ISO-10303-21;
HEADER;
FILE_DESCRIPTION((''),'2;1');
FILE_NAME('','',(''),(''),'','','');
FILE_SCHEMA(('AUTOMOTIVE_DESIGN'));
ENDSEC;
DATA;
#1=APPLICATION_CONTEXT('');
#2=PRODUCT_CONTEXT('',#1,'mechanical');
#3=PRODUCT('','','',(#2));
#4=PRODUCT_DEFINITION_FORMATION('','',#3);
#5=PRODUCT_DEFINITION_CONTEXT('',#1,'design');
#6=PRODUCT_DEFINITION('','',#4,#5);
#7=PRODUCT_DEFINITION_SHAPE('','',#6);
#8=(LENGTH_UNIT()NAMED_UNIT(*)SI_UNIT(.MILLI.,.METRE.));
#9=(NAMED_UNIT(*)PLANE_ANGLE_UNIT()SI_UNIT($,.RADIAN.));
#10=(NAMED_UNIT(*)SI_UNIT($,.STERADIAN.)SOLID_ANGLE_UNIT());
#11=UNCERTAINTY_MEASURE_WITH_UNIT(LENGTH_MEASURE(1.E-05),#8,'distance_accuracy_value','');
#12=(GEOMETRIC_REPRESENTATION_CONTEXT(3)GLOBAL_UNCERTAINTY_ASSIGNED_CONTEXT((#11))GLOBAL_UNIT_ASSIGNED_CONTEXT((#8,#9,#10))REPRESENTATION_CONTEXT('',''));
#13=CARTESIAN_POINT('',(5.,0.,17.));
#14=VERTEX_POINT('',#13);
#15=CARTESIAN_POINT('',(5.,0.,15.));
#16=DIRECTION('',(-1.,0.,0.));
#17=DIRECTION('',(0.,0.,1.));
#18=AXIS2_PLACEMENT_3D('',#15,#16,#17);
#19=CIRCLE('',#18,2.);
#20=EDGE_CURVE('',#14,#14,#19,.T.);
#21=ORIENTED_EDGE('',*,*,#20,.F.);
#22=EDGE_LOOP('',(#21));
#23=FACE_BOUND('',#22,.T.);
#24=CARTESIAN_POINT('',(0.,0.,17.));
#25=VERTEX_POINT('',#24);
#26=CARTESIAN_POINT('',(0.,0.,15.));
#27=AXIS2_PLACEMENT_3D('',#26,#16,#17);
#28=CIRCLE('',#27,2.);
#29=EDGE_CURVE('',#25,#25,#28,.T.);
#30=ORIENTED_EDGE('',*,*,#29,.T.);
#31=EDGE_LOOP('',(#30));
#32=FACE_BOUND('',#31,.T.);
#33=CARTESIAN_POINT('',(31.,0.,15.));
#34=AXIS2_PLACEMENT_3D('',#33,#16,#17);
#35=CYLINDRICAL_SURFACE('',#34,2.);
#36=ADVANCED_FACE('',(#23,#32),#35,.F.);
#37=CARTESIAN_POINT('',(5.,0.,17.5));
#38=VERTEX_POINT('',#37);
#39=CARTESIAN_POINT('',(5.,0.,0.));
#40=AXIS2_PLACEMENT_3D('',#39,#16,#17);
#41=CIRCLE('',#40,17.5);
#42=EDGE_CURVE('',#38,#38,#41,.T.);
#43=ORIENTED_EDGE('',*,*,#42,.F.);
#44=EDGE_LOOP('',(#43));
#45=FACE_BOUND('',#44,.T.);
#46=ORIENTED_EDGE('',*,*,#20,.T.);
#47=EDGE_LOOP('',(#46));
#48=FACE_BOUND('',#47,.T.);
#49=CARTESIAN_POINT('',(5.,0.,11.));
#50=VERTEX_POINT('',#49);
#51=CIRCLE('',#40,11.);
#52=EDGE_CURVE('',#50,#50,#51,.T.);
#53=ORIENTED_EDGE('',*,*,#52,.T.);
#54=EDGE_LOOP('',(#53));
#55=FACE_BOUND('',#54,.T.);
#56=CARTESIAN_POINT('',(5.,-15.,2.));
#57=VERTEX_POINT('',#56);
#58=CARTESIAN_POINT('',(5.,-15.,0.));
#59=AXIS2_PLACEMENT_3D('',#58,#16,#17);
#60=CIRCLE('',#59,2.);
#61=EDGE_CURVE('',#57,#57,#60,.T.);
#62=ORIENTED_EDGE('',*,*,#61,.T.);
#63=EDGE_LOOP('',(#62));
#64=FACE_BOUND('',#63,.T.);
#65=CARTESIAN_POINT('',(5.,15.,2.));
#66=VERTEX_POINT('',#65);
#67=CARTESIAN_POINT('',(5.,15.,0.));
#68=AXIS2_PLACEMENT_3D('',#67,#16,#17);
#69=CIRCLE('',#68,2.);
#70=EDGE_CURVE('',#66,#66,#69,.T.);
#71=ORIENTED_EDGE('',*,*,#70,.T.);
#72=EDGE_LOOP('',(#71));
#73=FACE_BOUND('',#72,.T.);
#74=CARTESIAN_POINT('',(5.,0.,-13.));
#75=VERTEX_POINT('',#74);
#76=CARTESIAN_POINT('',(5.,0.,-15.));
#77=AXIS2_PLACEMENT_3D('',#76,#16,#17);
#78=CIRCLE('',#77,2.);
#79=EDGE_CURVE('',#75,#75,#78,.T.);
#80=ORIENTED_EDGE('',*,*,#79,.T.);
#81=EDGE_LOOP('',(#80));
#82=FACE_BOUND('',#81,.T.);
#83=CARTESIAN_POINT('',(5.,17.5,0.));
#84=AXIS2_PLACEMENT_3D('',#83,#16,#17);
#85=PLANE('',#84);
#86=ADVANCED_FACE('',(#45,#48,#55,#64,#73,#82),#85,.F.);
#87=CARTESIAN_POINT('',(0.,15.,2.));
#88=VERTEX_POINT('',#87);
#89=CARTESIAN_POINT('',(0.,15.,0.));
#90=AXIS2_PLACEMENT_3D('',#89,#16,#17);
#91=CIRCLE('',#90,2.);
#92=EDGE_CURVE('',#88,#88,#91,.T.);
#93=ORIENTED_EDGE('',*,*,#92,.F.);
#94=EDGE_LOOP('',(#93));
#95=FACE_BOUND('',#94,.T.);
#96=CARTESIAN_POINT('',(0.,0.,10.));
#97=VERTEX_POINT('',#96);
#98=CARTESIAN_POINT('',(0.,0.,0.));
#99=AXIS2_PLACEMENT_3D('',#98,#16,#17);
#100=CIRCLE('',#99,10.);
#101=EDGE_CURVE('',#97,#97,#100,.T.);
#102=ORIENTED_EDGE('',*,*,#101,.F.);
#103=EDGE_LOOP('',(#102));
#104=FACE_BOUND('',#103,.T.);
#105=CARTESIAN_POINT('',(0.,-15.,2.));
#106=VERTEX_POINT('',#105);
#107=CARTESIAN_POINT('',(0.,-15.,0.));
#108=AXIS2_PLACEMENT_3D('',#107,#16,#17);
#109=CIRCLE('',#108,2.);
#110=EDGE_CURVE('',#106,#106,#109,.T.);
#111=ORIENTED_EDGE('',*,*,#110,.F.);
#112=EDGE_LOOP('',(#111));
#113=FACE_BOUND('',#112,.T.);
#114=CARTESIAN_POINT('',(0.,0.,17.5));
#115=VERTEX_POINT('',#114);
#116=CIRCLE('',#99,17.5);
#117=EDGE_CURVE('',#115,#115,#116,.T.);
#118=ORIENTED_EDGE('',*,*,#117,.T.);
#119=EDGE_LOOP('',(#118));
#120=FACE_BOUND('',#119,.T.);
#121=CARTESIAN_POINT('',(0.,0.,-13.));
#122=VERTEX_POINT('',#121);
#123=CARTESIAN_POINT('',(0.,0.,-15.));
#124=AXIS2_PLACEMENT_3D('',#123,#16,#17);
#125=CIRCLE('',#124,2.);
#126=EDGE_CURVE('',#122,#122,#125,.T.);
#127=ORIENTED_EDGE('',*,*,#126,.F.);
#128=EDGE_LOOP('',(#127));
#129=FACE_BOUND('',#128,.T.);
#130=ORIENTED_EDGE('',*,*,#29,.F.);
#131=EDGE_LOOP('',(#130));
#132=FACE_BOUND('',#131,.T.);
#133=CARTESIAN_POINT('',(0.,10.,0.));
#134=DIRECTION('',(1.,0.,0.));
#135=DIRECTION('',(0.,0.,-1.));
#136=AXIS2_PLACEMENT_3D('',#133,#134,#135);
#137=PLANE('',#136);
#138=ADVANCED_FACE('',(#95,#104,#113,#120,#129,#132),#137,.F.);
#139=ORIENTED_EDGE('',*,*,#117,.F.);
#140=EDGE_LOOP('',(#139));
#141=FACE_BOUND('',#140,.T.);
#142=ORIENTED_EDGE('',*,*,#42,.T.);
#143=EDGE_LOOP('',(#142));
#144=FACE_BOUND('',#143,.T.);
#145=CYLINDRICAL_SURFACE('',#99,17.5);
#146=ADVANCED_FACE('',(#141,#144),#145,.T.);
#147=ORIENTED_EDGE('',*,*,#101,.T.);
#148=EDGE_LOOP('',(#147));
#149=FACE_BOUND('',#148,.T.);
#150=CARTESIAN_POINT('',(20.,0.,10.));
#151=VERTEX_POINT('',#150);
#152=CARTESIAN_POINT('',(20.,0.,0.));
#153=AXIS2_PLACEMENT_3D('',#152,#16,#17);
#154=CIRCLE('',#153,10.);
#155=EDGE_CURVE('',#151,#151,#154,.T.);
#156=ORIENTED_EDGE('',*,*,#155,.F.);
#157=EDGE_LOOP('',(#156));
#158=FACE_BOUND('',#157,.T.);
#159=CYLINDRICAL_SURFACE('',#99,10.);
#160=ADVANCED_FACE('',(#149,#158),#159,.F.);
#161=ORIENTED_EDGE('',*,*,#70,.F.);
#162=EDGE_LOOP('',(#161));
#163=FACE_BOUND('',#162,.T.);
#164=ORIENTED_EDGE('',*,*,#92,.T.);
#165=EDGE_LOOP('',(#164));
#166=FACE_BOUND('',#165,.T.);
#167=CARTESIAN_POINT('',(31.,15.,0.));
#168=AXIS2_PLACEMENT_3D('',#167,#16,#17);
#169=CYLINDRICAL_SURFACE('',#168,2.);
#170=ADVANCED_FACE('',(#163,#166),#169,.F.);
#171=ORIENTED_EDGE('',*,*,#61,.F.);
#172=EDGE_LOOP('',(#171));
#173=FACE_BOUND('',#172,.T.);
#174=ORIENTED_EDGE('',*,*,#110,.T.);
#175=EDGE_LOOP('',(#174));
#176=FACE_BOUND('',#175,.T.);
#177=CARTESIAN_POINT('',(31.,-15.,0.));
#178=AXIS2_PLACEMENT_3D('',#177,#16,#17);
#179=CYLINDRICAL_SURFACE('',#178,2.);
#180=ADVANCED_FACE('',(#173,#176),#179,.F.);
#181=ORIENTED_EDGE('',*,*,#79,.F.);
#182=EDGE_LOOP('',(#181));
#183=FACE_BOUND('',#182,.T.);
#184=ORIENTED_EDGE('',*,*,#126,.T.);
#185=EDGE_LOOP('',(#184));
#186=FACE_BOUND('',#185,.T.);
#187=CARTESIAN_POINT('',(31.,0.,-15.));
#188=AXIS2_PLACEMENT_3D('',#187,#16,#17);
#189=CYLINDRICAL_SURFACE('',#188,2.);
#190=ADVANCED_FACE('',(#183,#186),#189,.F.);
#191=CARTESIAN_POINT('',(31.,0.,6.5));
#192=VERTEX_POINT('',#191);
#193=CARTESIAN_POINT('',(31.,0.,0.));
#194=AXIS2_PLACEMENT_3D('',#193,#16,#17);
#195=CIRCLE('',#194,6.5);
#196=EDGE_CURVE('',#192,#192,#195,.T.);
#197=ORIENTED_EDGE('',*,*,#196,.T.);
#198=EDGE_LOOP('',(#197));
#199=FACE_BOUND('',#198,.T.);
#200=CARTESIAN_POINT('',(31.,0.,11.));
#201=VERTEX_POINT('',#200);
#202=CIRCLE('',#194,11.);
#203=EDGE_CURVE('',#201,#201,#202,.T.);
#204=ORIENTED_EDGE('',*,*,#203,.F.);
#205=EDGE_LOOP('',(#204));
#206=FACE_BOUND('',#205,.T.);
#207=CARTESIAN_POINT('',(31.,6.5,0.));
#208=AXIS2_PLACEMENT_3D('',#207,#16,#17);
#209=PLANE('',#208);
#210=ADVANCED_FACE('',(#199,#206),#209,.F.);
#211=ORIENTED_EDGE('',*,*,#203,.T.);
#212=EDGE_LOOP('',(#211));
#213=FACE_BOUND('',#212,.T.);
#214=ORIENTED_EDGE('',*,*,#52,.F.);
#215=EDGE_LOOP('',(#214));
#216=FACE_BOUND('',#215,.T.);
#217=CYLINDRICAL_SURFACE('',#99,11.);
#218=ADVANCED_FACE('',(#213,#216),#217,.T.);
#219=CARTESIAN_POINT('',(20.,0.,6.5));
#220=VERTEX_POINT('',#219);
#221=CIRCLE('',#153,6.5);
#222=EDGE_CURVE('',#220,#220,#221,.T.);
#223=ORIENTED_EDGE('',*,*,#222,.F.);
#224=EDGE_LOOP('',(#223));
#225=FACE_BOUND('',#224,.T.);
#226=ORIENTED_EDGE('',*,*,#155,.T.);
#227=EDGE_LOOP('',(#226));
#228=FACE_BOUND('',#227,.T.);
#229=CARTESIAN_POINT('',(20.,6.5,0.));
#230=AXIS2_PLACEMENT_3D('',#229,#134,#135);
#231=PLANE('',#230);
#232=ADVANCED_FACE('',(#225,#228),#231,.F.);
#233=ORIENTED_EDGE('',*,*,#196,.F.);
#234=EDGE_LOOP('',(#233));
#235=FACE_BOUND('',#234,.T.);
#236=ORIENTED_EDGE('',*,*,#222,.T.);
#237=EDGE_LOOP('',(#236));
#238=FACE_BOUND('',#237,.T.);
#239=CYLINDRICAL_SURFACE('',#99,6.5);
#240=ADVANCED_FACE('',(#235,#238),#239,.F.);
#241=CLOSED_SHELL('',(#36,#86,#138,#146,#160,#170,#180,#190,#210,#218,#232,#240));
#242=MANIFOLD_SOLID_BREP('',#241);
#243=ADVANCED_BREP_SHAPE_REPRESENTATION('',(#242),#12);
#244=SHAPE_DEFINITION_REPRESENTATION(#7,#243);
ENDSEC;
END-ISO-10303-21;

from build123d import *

# Parameters (mm, degrees)
ESQUISSE2_R      = 2
EXTRUSION1_DEPTH = 32


with BuildPart() as part:
    # Esquisse1 → Révolution1 (revolve)
    with BuildSketch(Plane.XY):
        Polygon((0, 10), (0, 17.5), (5, 17.5), (5, 11), (31, 11), (31, 6.5), (20, 6.5), (20, 10), align=None)
    revolve(axis=Axis((0, 0, 0), (1, 0, 0)))

    # Esquisse2 → Extrusion1 (cut, through all)
    with BuildSketch(Plane.ZY):
        with Locations((0, 15)):
            Circle(ESQUISSE2_R)
        with Locations((15, 0)):
            Circle(ESQUISSE2_R)
        with Locations((0, -15)):
            Circle(ESQUISSE2_R)
        with Locations((-15, 0)):
            Circle(ESQUISSE2_R)
    extrude(amount=-EXTRUSION1_DEPTH, mode=Mode.SUBTRACT)


solid = part.part
